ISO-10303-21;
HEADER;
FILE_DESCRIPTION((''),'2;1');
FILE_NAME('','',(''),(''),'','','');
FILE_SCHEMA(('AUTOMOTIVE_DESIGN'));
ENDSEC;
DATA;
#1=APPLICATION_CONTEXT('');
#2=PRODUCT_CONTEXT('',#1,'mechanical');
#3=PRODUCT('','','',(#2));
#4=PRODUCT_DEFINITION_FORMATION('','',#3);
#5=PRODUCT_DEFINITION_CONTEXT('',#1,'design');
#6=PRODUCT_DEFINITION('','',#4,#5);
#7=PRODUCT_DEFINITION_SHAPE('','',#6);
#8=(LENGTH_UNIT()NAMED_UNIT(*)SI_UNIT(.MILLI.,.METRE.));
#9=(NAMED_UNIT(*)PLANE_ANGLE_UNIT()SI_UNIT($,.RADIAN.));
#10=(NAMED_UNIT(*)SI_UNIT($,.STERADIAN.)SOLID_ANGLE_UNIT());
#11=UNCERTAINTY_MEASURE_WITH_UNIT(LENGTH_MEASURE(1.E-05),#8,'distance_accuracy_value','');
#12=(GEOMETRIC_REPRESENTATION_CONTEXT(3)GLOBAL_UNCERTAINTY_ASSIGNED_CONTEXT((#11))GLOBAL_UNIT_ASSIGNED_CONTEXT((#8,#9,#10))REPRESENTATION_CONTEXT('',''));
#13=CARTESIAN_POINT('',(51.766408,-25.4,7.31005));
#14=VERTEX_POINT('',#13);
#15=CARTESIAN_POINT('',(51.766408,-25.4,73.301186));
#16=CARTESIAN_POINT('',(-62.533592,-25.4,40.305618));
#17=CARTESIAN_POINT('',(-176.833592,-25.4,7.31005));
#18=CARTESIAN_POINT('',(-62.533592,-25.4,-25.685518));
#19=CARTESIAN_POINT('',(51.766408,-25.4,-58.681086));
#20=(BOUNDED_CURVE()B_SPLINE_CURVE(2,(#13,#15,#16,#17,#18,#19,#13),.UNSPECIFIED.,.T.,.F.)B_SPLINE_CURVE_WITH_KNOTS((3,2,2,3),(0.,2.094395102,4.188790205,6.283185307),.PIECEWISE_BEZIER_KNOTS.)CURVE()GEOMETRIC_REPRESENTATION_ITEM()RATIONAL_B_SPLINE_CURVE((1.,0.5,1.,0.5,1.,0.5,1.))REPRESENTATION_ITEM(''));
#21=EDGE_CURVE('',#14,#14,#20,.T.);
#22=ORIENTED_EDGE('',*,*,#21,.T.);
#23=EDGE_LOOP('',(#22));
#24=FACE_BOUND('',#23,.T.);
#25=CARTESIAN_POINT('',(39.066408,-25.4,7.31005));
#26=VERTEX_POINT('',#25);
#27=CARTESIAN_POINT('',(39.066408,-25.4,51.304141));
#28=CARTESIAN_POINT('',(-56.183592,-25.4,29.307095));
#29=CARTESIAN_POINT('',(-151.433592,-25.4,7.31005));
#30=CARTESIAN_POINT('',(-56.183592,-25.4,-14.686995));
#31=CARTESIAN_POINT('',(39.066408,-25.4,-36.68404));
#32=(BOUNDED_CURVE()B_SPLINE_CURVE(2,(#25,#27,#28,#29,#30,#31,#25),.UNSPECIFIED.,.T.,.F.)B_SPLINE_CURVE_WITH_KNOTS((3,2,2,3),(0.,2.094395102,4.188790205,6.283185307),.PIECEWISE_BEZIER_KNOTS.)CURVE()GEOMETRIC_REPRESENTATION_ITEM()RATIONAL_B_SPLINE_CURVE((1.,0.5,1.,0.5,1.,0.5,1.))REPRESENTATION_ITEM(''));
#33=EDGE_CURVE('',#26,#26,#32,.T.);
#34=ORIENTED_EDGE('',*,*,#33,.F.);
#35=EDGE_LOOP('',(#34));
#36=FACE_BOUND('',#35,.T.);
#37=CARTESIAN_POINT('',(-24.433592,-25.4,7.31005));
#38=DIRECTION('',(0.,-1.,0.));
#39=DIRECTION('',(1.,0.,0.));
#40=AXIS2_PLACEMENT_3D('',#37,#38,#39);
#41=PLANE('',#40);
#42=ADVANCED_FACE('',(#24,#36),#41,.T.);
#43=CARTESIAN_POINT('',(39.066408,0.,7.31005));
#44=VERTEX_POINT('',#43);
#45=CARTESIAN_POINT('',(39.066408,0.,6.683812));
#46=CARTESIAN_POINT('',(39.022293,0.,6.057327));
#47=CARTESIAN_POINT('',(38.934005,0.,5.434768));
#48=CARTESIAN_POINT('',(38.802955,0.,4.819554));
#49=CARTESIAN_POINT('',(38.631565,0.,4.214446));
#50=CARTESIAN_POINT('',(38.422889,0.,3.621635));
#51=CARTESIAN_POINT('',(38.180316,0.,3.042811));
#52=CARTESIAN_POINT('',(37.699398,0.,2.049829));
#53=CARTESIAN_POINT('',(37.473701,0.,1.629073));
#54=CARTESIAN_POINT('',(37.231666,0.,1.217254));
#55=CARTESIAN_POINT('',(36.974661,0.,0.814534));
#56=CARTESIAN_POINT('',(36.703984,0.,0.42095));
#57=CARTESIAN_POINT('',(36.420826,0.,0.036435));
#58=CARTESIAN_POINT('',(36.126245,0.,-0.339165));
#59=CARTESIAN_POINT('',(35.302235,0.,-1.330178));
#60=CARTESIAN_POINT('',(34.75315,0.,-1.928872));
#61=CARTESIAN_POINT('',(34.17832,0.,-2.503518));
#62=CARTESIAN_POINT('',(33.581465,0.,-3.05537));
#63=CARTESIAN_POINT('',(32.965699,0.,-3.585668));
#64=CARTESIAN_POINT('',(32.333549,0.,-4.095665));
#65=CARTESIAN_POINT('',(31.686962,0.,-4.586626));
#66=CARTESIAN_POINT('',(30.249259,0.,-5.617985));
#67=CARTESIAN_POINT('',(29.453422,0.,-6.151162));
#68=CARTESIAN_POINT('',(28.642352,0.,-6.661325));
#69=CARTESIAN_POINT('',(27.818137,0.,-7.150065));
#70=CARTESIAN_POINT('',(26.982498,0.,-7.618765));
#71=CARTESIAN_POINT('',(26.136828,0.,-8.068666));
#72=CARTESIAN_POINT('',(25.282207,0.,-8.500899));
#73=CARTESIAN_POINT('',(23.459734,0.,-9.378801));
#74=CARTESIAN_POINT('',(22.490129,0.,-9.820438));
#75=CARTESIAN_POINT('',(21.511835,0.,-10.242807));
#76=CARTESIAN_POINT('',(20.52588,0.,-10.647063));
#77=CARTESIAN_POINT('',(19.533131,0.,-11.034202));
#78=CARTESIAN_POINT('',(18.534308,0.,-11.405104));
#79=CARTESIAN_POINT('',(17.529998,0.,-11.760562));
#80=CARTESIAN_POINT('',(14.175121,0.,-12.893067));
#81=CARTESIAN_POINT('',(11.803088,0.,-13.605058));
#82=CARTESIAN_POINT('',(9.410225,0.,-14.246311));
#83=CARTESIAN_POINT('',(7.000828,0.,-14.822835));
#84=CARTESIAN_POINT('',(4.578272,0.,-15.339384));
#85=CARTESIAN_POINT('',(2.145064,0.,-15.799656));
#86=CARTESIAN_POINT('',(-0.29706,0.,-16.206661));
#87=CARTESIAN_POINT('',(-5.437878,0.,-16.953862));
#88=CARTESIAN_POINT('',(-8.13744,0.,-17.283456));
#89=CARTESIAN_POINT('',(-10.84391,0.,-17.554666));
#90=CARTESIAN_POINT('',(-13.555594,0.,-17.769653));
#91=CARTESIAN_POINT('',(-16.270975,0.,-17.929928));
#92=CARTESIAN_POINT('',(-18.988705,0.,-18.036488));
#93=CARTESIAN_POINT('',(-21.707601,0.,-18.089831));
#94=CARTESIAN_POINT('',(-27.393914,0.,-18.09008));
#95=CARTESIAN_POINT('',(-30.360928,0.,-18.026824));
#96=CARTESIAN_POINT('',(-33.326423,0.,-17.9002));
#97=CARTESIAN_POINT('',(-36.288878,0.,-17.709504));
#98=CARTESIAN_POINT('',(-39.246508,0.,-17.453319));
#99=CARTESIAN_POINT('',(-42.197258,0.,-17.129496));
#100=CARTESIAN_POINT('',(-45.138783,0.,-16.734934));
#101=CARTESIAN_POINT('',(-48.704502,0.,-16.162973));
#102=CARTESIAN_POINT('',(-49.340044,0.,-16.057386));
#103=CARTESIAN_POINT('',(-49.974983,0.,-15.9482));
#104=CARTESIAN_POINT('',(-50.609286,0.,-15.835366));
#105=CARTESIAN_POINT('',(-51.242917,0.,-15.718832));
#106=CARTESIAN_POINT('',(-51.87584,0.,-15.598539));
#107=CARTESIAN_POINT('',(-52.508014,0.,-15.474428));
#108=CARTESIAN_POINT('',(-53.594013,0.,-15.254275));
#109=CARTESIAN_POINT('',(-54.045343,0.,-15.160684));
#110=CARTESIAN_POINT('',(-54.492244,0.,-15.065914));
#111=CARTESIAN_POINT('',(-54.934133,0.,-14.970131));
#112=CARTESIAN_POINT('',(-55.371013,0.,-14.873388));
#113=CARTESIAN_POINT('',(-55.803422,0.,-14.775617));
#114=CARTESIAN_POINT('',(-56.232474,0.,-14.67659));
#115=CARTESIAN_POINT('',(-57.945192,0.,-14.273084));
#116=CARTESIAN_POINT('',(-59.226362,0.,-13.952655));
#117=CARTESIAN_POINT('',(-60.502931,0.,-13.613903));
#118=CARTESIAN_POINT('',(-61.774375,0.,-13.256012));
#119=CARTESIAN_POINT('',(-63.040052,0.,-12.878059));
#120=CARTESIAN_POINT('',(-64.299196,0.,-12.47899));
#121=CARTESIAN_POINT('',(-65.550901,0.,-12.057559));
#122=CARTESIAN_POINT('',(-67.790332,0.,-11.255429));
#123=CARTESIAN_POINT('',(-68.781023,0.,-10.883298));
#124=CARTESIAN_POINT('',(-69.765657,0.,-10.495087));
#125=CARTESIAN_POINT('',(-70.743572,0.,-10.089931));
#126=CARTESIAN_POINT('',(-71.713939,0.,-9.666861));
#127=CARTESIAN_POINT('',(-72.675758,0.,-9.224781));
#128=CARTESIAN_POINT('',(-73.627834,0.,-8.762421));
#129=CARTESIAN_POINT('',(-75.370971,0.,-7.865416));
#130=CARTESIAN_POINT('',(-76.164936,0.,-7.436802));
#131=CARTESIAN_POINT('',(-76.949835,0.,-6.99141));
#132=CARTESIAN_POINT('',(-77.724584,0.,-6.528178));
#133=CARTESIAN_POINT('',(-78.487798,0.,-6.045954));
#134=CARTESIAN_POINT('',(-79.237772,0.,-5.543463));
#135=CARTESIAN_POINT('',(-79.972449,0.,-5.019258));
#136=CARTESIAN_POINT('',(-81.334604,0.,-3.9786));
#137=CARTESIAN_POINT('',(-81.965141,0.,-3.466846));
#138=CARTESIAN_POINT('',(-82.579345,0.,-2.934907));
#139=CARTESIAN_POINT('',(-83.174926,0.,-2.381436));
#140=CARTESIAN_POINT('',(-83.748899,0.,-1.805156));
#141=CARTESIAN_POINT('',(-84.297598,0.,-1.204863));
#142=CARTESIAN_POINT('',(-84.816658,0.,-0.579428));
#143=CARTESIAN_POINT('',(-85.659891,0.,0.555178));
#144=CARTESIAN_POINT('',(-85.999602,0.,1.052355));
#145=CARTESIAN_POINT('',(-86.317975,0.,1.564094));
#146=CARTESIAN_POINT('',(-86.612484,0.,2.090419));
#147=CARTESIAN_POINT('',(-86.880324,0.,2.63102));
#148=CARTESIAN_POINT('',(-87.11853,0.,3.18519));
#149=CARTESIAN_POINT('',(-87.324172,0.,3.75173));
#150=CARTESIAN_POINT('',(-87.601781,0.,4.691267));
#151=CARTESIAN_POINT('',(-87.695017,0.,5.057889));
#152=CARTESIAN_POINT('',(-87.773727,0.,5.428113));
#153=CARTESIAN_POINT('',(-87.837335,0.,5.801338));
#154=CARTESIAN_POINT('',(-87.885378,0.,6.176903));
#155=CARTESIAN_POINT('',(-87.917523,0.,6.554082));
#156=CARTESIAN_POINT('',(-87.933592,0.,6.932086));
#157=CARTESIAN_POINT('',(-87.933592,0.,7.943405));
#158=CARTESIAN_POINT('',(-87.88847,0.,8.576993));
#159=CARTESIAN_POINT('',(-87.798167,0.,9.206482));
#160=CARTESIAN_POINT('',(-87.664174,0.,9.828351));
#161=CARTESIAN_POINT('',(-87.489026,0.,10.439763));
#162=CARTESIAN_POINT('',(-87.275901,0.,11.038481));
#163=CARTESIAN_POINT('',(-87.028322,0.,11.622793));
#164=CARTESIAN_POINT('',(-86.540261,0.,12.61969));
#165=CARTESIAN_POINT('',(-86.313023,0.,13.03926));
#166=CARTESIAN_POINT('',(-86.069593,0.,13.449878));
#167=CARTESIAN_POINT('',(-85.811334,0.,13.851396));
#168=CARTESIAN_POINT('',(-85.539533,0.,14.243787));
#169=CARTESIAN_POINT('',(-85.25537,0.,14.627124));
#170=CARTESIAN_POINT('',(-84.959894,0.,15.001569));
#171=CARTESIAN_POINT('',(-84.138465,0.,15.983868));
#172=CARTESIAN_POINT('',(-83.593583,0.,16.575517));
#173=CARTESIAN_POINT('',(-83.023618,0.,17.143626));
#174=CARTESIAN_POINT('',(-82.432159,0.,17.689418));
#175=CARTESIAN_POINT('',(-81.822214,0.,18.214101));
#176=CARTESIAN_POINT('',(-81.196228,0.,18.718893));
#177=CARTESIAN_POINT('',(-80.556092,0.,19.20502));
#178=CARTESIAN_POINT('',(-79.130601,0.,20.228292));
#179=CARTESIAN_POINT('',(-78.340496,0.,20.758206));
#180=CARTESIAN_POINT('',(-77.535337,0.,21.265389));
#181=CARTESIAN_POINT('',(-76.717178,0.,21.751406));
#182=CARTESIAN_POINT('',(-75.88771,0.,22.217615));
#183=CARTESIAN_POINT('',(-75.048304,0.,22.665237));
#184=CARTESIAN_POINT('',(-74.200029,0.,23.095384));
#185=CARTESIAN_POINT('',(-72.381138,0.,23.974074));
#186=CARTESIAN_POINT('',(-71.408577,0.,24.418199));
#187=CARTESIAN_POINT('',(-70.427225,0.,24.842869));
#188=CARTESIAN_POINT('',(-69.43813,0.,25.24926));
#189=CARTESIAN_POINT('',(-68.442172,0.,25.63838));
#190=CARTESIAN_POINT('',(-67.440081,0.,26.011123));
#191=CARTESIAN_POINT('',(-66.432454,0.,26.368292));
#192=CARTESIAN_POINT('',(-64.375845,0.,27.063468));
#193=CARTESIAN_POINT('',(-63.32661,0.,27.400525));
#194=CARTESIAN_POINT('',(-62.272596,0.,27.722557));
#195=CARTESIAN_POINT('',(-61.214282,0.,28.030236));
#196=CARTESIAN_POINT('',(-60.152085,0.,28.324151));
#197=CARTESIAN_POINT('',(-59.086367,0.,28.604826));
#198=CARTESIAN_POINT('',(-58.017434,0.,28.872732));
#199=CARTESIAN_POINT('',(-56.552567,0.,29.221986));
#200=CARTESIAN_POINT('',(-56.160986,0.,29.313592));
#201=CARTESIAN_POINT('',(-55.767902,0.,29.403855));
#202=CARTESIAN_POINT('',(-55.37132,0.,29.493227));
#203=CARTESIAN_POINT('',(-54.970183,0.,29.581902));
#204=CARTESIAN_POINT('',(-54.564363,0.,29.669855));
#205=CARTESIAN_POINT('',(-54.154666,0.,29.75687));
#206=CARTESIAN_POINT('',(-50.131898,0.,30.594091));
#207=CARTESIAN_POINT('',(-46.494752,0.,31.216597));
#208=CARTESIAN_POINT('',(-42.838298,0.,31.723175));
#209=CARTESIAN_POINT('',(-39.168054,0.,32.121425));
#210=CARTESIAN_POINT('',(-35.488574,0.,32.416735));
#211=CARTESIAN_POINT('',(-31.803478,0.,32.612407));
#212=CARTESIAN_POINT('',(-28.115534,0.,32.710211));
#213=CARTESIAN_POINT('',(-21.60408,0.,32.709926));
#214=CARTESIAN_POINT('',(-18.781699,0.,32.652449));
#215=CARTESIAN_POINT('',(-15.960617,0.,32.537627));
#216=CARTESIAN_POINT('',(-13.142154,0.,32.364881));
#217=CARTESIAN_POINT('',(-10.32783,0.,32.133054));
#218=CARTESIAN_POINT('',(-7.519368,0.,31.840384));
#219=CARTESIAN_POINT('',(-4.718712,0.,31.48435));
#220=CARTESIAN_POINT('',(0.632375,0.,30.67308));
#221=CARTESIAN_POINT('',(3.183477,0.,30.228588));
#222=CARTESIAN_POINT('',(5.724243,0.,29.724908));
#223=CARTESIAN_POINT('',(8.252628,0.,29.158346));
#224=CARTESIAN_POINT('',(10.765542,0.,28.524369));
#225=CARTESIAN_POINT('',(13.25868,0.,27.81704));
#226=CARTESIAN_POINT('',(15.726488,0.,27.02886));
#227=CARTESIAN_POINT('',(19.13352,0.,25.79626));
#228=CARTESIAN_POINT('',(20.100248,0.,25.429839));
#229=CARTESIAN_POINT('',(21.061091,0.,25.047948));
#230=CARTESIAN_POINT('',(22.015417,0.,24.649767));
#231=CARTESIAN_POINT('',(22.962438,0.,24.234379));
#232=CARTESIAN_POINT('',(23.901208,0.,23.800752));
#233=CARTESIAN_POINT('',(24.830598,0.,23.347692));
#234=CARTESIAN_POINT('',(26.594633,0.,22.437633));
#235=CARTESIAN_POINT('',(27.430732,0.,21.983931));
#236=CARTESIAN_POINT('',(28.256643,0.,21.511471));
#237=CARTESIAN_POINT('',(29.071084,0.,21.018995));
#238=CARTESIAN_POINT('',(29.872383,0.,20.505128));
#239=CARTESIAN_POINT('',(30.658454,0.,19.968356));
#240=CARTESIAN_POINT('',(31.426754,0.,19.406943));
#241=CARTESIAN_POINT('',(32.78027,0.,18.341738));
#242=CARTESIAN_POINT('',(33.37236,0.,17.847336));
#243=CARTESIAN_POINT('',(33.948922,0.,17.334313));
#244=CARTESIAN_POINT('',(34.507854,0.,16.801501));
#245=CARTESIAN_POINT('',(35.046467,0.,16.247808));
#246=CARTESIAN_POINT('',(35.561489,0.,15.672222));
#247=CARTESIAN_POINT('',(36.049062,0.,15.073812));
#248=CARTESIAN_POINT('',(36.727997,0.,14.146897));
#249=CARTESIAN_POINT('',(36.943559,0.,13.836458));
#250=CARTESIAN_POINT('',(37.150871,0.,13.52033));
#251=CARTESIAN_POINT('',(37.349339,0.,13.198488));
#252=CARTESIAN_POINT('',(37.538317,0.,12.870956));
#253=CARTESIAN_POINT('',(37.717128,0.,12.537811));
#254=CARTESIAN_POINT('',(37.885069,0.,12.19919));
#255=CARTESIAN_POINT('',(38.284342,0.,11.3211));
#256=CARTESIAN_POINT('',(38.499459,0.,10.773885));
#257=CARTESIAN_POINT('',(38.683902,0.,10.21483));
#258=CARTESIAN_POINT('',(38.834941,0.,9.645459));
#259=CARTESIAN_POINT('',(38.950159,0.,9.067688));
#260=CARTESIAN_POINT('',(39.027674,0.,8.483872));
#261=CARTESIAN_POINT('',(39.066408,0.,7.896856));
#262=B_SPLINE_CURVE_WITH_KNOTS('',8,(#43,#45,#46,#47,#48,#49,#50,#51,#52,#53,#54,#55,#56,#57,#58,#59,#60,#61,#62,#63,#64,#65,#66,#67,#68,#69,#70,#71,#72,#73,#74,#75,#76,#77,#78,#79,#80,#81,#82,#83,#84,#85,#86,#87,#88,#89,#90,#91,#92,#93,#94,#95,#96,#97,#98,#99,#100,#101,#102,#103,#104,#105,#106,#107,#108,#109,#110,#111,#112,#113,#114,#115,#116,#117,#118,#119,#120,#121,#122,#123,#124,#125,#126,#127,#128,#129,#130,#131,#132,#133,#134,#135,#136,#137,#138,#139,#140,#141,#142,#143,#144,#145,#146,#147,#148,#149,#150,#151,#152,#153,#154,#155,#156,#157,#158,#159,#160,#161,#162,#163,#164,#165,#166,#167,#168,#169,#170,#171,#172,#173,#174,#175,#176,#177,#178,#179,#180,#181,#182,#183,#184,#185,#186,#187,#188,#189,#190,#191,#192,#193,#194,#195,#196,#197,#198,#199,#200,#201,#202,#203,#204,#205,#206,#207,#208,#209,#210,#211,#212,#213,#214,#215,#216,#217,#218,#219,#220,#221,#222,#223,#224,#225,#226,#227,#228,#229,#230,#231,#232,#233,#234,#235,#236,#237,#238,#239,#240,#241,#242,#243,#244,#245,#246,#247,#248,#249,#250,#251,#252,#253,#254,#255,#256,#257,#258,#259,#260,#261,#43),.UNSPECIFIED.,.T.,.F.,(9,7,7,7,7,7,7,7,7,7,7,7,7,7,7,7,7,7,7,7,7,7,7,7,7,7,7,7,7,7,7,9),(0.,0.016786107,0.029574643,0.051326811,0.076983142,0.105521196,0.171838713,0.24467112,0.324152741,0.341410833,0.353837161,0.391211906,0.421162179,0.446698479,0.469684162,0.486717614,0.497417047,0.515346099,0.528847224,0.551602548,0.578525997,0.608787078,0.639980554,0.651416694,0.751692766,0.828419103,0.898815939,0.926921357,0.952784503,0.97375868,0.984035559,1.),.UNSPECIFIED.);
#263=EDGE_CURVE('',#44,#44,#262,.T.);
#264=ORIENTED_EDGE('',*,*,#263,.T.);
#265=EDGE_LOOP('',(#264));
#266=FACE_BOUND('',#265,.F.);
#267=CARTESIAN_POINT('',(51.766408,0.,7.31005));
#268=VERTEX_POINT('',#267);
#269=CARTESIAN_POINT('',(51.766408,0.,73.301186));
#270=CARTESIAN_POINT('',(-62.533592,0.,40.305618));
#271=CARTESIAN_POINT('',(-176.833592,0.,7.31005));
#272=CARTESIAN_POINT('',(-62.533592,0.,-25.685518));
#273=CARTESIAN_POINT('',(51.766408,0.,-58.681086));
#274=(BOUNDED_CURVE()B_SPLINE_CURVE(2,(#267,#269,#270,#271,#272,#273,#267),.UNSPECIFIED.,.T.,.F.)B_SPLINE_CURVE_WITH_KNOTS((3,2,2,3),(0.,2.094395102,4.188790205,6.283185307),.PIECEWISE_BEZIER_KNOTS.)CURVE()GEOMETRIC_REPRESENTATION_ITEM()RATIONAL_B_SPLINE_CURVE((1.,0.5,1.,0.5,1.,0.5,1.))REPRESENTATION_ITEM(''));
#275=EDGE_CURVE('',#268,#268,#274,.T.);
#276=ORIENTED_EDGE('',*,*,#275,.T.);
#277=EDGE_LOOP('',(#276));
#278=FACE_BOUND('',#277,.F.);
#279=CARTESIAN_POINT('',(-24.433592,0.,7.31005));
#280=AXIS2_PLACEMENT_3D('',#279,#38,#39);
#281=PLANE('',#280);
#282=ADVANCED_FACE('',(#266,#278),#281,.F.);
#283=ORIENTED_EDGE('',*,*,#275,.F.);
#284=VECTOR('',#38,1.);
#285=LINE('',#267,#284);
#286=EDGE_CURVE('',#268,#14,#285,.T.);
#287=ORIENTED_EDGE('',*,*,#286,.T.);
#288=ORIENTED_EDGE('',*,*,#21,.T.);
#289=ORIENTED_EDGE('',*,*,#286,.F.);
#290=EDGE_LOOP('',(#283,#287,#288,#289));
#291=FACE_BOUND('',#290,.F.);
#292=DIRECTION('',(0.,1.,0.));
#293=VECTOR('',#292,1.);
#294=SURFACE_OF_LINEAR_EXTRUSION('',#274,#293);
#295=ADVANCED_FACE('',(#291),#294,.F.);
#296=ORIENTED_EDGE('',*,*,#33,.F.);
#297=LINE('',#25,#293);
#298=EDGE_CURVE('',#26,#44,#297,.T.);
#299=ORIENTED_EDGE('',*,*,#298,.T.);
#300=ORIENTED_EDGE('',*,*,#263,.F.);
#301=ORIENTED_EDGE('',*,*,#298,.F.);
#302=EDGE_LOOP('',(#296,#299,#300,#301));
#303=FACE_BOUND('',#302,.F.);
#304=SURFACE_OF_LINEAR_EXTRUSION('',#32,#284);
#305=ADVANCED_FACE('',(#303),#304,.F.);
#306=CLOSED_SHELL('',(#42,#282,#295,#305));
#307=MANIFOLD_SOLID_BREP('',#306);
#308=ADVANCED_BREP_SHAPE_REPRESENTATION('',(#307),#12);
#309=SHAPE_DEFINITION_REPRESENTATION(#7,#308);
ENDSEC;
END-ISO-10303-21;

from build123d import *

# Parameters (mm, degrees)
F1_DEPTH = 25.4
F3_DEPTH = 25.4010001


with BuildPart() as f1:
    # F0 (on Front) → F1 (new body)
    with BuildSketch(Plane.XZ):
        with BuildLine():
            add(Edge.make_bspline(
                [(51.7664076656, 7.310050074), (51.7664076656, 73.3011858424), (-62.5335923344, 40.3056179582), (-176.8335923344, 7.310050074), (-62.5335923344, -25.6855178102), (51.7664076656, -58.6810856944), (51.7664076656, 7.310050074)],
                knots=[0, 0, 0, 2.0943951024, 2.0943951024, 4.1887902048, 4.1887902048, 6.2831853072, 6.2831853072, 6.2831853072], degree=2, weights=[1, 0.5, 1, 0.5, 1, 0.5, 1]))
        make_face()
    extrude(amount=F1_DEPTH)

    # F2 (on face) → F3 (cut, through all)
    with BuildSketch(Plane.XZ.offset(25.4)):
        with BuildLine():
            add(Edge.make_bspline(
                [(39.0664076656, 7.310050074), (39.0664076656, 51.3041405863), (-56.1835923344, 29.3070953301), (-151.4335923344, 7.310050074), (-56.1835923344, -14.6869951821), (39.0664076656, -36.6840404382), (39.0664076656, 7.310050074)],
                knots=[0, 0, 0, 2.0943951024, 2.0943951024, 4.1887902048, 4.1887902048, 6.2831853072, 6.2831853072, 6.2831853072], degree=2, weights=[1, 0.5, 1, 0.5, 1, 0.5, 1]))
        make_face()
    extrude(amount=-F3_DEPTH, mode=Mode.SUBTRACT)


solid = f1.part
